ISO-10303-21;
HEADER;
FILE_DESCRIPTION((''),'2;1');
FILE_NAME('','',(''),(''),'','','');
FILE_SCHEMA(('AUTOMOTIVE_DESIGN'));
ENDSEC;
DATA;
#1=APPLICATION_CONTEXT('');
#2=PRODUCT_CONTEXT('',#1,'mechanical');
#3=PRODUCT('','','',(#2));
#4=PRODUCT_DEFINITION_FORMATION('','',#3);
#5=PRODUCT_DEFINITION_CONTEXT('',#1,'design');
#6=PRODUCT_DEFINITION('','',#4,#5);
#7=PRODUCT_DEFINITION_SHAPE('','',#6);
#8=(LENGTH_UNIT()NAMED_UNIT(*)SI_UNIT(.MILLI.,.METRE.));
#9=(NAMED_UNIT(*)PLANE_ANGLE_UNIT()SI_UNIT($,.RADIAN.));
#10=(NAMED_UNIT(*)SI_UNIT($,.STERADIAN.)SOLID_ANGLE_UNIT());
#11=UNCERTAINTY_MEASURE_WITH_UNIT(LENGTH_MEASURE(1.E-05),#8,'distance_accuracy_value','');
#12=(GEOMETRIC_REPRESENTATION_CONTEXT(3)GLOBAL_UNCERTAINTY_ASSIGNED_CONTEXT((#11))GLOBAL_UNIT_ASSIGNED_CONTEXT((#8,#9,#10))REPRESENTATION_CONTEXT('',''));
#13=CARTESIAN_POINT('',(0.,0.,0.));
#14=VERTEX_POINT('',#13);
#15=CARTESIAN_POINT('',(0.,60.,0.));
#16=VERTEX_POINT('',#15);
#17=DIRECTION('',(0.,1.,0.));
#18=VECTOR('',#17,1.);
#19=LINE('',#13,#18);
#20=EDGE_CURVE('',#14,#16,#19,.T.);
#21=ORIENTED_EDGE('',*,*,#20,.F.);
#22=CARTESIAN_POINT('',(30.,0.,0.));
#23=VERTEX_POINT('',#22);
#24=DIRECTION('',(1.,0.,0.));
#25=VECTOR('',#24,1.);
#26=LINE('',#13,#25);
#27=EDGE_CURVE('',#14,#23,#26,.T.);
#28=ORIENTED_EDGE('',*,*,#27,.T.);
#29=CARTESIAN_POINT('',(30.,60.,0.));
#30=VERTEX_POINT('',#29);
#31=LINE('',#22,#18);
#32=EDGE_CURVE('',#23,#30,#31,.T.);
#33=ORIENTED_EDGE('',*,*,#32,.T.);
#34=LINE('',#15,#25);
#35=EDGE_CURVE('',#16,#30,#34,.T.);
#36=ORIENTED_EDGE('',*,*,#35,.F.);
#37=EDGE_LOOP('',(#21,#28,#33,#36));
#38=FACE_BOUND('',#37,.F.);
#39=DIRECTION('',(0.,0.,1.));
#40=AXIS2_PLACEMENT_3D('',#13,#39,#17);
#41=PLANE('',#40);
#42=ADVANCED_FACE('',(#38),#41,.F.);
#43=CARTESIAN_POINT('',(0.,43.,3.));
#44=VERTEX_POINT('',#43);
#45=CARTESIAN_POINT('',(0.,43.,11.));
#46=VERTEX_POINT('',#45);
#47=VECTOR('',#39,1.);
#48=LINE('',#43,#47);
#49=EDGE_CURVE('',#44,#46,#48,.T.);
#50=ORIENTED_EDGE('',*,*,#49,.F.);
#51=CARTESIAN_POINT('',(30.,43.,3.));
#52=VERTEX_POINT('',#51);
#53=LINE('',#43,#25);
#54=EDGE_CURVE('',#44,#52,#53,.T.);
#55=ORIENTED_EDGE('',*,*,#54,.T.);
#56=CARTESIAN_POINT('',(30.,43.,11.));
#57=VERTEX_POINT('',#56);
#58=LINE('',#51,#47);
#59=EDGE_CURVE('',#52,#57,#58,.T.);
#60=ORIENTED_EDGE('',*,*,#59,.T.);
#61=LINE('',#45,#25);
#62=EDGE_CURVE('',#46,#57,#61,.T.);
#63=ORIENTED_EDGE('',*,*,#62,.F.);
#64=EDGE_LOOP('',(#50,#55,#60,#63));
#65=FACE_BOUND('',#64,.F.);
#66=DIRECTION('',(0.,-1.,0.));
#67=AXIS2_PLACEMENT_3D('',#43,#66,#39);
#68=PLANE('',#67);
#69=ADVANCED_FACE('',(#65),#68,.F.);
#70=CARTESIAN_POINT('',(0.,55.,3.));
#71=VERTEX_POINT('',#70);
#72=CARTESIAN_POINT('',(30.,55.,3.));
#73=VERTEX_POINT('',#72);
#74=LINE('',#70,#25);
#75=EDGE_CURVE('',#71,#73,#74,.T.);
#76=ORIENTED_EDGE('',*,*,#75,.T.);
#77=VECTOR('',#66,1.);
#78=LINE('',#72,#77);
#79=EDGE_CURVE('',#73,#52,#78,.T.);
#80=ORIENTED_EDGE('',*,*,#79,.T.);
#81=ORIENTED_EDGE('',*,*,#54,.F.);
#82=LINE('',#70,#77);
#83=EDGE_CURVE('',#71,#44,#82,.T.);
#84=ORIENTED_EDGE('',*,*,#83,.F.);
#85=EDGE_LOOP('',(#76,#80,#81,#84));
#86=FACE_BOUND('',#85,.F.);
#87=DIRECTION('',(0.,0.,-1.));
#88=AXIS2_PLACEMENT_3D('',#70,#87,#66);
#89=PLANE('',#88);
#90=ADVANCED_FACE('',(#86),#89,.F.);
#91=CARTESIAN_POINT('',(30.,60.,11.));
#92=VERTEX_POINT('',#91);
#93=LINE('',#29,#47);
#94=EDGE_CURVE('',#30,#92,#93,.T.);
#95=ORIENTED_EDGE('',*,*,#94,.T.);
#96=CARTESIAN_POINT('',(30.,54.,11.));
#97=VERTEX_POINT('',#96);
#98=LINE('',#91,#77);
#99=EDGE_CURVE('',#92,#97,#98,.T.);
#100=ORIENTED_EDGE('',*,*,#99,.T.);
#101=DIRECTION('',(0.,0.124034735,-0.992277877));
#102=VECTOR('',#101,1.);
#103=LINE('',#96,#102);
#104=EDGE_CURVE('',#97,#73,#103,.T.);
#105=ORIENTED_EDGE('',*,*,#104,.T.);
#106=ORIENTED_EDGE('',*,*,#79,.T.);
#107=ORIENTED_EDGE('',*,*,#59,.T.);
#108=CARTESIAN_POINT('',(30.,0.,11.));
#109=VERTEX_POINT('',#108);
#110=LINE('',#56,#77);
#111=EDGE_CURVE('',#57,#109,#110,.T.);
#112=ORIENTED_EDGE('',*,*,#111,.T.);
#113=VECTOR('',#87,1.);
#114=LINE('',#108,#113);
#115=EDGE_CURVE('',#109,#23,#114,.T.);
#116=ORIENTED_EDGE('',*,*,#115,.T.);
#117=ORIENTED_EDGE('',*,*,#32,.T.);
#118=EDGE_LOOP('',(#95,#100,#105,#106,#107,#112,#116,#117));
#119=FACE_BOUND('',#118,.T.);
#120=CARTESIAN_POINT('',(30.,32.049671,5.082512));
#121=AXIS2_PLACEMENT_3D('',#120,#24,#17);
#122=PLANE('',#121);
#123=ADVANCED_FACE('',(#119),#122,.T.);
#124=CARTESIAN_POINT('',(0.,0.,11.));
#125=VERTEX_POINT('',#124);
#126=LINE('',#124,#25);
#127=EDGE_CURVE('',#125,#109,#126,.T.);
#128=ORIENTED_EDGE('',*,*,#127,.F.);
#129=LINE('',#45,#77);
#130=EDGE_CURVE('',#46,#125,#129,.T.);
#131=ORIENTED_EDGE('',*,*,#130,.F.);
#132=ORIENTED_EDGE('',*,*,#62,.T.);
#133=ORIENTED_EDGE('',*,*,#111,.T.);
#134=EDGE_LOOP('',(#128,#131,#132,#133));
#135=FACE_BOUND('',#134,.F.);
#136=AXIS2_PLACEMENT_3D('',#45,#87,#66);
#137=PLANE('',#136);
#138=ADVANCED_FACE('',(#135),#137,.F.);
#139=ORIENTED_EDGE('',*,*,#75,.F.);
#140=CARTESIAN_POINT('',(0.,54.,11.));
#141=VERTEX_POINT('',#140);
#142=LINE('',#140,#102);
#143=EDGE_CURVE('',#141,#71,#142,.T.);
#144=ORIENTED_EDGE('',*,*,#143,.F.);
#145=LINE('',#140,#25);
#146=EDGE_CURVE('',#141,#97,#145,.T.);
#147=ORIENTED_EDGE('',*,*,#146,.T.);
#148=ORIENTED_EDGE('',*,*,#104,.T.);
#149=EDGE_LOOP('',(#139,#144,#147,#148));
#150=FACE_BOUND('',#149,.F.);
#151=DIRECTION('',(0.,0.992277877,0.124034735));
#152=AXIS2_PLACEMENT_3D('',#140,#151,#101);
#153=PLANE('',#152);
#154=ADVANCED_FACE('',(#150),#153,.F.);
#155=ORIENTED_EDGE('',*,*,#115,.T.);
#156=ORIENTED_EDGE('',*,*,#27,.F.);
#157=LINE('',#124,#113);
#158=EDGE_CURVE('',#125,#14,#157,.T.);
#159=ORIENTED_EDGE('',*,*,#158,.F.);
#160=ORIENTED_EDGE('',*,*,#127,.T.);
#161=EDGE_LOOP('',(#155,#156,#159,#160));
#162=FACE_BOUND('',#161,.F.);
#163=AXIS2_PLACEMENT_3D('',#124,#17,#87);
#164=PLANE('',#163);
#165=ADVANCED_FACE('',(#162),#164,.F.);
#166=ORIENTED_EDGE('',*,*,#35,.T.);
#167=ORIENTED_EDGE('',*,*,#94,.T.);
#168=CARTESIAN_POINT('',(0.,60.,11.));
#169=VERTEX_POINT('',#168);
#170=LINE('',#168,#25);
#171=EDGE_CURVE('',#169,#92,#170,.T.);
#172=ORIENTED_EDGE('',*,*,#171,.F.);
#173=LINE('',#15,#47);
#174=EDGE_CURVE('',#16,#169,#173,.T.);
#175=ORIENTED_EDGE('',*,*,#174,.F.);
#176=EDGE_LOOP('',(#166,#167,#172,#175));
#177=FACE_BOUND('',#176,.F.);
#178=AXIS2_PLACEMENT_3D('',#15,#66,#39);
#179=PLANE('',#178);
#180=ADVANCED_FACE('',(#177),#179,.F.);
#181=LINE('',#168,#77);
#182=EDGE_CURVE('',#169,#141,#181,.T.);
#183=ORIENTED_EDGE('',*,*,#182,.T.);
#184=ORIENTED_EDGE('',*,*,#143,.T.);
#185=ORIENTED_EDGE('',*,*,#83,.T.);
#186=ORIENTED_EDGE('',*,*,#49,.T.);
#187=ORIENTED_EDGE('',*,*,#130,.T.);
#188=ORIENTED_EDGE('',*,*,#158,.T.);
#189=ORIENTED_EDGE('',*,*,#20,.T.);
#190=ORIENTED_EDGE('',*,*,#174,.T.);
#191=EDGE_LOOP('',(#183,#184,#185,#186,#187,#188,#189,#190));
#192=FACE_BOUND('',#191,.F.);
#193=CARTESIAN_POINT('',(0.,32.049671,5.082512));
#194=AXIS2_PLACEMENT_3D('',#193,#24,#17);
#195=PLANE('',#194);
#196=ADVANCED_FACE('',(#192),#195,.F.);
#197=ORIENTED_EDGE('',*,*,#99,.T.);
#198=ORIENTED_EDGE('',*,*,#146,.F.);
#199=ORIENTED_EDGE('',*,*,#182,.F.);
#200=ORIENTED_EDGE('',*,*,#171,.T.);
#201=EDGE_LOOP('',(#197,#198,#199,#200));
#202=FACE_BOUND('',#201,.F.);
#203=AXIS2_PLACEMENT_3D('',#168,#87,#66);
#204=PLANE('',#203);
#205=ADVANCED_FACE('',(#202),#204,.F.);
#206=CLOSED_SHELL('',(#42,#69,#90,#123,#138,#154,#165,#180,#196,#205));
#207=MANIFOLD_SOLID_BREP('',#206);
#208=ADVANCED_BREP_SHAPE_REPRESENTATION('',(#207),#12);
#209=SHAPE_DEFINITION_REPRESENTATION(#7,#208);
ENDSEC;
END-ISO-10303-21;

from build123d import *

# Parameters (mm, degrees)
PAD_DEPTH = 30


with BuildPart() as part:
    # Sketch → Pad (new body)
    with BuildSketch(Plane.YZ):
        Polygon((0, 0), (60, 0), (60, 11), (54, 11), (55, 3), (43, 3), (43, 11), (0, 11), align=None)
    extrude(amount=PAD_DEPTH)


solid = part.part
